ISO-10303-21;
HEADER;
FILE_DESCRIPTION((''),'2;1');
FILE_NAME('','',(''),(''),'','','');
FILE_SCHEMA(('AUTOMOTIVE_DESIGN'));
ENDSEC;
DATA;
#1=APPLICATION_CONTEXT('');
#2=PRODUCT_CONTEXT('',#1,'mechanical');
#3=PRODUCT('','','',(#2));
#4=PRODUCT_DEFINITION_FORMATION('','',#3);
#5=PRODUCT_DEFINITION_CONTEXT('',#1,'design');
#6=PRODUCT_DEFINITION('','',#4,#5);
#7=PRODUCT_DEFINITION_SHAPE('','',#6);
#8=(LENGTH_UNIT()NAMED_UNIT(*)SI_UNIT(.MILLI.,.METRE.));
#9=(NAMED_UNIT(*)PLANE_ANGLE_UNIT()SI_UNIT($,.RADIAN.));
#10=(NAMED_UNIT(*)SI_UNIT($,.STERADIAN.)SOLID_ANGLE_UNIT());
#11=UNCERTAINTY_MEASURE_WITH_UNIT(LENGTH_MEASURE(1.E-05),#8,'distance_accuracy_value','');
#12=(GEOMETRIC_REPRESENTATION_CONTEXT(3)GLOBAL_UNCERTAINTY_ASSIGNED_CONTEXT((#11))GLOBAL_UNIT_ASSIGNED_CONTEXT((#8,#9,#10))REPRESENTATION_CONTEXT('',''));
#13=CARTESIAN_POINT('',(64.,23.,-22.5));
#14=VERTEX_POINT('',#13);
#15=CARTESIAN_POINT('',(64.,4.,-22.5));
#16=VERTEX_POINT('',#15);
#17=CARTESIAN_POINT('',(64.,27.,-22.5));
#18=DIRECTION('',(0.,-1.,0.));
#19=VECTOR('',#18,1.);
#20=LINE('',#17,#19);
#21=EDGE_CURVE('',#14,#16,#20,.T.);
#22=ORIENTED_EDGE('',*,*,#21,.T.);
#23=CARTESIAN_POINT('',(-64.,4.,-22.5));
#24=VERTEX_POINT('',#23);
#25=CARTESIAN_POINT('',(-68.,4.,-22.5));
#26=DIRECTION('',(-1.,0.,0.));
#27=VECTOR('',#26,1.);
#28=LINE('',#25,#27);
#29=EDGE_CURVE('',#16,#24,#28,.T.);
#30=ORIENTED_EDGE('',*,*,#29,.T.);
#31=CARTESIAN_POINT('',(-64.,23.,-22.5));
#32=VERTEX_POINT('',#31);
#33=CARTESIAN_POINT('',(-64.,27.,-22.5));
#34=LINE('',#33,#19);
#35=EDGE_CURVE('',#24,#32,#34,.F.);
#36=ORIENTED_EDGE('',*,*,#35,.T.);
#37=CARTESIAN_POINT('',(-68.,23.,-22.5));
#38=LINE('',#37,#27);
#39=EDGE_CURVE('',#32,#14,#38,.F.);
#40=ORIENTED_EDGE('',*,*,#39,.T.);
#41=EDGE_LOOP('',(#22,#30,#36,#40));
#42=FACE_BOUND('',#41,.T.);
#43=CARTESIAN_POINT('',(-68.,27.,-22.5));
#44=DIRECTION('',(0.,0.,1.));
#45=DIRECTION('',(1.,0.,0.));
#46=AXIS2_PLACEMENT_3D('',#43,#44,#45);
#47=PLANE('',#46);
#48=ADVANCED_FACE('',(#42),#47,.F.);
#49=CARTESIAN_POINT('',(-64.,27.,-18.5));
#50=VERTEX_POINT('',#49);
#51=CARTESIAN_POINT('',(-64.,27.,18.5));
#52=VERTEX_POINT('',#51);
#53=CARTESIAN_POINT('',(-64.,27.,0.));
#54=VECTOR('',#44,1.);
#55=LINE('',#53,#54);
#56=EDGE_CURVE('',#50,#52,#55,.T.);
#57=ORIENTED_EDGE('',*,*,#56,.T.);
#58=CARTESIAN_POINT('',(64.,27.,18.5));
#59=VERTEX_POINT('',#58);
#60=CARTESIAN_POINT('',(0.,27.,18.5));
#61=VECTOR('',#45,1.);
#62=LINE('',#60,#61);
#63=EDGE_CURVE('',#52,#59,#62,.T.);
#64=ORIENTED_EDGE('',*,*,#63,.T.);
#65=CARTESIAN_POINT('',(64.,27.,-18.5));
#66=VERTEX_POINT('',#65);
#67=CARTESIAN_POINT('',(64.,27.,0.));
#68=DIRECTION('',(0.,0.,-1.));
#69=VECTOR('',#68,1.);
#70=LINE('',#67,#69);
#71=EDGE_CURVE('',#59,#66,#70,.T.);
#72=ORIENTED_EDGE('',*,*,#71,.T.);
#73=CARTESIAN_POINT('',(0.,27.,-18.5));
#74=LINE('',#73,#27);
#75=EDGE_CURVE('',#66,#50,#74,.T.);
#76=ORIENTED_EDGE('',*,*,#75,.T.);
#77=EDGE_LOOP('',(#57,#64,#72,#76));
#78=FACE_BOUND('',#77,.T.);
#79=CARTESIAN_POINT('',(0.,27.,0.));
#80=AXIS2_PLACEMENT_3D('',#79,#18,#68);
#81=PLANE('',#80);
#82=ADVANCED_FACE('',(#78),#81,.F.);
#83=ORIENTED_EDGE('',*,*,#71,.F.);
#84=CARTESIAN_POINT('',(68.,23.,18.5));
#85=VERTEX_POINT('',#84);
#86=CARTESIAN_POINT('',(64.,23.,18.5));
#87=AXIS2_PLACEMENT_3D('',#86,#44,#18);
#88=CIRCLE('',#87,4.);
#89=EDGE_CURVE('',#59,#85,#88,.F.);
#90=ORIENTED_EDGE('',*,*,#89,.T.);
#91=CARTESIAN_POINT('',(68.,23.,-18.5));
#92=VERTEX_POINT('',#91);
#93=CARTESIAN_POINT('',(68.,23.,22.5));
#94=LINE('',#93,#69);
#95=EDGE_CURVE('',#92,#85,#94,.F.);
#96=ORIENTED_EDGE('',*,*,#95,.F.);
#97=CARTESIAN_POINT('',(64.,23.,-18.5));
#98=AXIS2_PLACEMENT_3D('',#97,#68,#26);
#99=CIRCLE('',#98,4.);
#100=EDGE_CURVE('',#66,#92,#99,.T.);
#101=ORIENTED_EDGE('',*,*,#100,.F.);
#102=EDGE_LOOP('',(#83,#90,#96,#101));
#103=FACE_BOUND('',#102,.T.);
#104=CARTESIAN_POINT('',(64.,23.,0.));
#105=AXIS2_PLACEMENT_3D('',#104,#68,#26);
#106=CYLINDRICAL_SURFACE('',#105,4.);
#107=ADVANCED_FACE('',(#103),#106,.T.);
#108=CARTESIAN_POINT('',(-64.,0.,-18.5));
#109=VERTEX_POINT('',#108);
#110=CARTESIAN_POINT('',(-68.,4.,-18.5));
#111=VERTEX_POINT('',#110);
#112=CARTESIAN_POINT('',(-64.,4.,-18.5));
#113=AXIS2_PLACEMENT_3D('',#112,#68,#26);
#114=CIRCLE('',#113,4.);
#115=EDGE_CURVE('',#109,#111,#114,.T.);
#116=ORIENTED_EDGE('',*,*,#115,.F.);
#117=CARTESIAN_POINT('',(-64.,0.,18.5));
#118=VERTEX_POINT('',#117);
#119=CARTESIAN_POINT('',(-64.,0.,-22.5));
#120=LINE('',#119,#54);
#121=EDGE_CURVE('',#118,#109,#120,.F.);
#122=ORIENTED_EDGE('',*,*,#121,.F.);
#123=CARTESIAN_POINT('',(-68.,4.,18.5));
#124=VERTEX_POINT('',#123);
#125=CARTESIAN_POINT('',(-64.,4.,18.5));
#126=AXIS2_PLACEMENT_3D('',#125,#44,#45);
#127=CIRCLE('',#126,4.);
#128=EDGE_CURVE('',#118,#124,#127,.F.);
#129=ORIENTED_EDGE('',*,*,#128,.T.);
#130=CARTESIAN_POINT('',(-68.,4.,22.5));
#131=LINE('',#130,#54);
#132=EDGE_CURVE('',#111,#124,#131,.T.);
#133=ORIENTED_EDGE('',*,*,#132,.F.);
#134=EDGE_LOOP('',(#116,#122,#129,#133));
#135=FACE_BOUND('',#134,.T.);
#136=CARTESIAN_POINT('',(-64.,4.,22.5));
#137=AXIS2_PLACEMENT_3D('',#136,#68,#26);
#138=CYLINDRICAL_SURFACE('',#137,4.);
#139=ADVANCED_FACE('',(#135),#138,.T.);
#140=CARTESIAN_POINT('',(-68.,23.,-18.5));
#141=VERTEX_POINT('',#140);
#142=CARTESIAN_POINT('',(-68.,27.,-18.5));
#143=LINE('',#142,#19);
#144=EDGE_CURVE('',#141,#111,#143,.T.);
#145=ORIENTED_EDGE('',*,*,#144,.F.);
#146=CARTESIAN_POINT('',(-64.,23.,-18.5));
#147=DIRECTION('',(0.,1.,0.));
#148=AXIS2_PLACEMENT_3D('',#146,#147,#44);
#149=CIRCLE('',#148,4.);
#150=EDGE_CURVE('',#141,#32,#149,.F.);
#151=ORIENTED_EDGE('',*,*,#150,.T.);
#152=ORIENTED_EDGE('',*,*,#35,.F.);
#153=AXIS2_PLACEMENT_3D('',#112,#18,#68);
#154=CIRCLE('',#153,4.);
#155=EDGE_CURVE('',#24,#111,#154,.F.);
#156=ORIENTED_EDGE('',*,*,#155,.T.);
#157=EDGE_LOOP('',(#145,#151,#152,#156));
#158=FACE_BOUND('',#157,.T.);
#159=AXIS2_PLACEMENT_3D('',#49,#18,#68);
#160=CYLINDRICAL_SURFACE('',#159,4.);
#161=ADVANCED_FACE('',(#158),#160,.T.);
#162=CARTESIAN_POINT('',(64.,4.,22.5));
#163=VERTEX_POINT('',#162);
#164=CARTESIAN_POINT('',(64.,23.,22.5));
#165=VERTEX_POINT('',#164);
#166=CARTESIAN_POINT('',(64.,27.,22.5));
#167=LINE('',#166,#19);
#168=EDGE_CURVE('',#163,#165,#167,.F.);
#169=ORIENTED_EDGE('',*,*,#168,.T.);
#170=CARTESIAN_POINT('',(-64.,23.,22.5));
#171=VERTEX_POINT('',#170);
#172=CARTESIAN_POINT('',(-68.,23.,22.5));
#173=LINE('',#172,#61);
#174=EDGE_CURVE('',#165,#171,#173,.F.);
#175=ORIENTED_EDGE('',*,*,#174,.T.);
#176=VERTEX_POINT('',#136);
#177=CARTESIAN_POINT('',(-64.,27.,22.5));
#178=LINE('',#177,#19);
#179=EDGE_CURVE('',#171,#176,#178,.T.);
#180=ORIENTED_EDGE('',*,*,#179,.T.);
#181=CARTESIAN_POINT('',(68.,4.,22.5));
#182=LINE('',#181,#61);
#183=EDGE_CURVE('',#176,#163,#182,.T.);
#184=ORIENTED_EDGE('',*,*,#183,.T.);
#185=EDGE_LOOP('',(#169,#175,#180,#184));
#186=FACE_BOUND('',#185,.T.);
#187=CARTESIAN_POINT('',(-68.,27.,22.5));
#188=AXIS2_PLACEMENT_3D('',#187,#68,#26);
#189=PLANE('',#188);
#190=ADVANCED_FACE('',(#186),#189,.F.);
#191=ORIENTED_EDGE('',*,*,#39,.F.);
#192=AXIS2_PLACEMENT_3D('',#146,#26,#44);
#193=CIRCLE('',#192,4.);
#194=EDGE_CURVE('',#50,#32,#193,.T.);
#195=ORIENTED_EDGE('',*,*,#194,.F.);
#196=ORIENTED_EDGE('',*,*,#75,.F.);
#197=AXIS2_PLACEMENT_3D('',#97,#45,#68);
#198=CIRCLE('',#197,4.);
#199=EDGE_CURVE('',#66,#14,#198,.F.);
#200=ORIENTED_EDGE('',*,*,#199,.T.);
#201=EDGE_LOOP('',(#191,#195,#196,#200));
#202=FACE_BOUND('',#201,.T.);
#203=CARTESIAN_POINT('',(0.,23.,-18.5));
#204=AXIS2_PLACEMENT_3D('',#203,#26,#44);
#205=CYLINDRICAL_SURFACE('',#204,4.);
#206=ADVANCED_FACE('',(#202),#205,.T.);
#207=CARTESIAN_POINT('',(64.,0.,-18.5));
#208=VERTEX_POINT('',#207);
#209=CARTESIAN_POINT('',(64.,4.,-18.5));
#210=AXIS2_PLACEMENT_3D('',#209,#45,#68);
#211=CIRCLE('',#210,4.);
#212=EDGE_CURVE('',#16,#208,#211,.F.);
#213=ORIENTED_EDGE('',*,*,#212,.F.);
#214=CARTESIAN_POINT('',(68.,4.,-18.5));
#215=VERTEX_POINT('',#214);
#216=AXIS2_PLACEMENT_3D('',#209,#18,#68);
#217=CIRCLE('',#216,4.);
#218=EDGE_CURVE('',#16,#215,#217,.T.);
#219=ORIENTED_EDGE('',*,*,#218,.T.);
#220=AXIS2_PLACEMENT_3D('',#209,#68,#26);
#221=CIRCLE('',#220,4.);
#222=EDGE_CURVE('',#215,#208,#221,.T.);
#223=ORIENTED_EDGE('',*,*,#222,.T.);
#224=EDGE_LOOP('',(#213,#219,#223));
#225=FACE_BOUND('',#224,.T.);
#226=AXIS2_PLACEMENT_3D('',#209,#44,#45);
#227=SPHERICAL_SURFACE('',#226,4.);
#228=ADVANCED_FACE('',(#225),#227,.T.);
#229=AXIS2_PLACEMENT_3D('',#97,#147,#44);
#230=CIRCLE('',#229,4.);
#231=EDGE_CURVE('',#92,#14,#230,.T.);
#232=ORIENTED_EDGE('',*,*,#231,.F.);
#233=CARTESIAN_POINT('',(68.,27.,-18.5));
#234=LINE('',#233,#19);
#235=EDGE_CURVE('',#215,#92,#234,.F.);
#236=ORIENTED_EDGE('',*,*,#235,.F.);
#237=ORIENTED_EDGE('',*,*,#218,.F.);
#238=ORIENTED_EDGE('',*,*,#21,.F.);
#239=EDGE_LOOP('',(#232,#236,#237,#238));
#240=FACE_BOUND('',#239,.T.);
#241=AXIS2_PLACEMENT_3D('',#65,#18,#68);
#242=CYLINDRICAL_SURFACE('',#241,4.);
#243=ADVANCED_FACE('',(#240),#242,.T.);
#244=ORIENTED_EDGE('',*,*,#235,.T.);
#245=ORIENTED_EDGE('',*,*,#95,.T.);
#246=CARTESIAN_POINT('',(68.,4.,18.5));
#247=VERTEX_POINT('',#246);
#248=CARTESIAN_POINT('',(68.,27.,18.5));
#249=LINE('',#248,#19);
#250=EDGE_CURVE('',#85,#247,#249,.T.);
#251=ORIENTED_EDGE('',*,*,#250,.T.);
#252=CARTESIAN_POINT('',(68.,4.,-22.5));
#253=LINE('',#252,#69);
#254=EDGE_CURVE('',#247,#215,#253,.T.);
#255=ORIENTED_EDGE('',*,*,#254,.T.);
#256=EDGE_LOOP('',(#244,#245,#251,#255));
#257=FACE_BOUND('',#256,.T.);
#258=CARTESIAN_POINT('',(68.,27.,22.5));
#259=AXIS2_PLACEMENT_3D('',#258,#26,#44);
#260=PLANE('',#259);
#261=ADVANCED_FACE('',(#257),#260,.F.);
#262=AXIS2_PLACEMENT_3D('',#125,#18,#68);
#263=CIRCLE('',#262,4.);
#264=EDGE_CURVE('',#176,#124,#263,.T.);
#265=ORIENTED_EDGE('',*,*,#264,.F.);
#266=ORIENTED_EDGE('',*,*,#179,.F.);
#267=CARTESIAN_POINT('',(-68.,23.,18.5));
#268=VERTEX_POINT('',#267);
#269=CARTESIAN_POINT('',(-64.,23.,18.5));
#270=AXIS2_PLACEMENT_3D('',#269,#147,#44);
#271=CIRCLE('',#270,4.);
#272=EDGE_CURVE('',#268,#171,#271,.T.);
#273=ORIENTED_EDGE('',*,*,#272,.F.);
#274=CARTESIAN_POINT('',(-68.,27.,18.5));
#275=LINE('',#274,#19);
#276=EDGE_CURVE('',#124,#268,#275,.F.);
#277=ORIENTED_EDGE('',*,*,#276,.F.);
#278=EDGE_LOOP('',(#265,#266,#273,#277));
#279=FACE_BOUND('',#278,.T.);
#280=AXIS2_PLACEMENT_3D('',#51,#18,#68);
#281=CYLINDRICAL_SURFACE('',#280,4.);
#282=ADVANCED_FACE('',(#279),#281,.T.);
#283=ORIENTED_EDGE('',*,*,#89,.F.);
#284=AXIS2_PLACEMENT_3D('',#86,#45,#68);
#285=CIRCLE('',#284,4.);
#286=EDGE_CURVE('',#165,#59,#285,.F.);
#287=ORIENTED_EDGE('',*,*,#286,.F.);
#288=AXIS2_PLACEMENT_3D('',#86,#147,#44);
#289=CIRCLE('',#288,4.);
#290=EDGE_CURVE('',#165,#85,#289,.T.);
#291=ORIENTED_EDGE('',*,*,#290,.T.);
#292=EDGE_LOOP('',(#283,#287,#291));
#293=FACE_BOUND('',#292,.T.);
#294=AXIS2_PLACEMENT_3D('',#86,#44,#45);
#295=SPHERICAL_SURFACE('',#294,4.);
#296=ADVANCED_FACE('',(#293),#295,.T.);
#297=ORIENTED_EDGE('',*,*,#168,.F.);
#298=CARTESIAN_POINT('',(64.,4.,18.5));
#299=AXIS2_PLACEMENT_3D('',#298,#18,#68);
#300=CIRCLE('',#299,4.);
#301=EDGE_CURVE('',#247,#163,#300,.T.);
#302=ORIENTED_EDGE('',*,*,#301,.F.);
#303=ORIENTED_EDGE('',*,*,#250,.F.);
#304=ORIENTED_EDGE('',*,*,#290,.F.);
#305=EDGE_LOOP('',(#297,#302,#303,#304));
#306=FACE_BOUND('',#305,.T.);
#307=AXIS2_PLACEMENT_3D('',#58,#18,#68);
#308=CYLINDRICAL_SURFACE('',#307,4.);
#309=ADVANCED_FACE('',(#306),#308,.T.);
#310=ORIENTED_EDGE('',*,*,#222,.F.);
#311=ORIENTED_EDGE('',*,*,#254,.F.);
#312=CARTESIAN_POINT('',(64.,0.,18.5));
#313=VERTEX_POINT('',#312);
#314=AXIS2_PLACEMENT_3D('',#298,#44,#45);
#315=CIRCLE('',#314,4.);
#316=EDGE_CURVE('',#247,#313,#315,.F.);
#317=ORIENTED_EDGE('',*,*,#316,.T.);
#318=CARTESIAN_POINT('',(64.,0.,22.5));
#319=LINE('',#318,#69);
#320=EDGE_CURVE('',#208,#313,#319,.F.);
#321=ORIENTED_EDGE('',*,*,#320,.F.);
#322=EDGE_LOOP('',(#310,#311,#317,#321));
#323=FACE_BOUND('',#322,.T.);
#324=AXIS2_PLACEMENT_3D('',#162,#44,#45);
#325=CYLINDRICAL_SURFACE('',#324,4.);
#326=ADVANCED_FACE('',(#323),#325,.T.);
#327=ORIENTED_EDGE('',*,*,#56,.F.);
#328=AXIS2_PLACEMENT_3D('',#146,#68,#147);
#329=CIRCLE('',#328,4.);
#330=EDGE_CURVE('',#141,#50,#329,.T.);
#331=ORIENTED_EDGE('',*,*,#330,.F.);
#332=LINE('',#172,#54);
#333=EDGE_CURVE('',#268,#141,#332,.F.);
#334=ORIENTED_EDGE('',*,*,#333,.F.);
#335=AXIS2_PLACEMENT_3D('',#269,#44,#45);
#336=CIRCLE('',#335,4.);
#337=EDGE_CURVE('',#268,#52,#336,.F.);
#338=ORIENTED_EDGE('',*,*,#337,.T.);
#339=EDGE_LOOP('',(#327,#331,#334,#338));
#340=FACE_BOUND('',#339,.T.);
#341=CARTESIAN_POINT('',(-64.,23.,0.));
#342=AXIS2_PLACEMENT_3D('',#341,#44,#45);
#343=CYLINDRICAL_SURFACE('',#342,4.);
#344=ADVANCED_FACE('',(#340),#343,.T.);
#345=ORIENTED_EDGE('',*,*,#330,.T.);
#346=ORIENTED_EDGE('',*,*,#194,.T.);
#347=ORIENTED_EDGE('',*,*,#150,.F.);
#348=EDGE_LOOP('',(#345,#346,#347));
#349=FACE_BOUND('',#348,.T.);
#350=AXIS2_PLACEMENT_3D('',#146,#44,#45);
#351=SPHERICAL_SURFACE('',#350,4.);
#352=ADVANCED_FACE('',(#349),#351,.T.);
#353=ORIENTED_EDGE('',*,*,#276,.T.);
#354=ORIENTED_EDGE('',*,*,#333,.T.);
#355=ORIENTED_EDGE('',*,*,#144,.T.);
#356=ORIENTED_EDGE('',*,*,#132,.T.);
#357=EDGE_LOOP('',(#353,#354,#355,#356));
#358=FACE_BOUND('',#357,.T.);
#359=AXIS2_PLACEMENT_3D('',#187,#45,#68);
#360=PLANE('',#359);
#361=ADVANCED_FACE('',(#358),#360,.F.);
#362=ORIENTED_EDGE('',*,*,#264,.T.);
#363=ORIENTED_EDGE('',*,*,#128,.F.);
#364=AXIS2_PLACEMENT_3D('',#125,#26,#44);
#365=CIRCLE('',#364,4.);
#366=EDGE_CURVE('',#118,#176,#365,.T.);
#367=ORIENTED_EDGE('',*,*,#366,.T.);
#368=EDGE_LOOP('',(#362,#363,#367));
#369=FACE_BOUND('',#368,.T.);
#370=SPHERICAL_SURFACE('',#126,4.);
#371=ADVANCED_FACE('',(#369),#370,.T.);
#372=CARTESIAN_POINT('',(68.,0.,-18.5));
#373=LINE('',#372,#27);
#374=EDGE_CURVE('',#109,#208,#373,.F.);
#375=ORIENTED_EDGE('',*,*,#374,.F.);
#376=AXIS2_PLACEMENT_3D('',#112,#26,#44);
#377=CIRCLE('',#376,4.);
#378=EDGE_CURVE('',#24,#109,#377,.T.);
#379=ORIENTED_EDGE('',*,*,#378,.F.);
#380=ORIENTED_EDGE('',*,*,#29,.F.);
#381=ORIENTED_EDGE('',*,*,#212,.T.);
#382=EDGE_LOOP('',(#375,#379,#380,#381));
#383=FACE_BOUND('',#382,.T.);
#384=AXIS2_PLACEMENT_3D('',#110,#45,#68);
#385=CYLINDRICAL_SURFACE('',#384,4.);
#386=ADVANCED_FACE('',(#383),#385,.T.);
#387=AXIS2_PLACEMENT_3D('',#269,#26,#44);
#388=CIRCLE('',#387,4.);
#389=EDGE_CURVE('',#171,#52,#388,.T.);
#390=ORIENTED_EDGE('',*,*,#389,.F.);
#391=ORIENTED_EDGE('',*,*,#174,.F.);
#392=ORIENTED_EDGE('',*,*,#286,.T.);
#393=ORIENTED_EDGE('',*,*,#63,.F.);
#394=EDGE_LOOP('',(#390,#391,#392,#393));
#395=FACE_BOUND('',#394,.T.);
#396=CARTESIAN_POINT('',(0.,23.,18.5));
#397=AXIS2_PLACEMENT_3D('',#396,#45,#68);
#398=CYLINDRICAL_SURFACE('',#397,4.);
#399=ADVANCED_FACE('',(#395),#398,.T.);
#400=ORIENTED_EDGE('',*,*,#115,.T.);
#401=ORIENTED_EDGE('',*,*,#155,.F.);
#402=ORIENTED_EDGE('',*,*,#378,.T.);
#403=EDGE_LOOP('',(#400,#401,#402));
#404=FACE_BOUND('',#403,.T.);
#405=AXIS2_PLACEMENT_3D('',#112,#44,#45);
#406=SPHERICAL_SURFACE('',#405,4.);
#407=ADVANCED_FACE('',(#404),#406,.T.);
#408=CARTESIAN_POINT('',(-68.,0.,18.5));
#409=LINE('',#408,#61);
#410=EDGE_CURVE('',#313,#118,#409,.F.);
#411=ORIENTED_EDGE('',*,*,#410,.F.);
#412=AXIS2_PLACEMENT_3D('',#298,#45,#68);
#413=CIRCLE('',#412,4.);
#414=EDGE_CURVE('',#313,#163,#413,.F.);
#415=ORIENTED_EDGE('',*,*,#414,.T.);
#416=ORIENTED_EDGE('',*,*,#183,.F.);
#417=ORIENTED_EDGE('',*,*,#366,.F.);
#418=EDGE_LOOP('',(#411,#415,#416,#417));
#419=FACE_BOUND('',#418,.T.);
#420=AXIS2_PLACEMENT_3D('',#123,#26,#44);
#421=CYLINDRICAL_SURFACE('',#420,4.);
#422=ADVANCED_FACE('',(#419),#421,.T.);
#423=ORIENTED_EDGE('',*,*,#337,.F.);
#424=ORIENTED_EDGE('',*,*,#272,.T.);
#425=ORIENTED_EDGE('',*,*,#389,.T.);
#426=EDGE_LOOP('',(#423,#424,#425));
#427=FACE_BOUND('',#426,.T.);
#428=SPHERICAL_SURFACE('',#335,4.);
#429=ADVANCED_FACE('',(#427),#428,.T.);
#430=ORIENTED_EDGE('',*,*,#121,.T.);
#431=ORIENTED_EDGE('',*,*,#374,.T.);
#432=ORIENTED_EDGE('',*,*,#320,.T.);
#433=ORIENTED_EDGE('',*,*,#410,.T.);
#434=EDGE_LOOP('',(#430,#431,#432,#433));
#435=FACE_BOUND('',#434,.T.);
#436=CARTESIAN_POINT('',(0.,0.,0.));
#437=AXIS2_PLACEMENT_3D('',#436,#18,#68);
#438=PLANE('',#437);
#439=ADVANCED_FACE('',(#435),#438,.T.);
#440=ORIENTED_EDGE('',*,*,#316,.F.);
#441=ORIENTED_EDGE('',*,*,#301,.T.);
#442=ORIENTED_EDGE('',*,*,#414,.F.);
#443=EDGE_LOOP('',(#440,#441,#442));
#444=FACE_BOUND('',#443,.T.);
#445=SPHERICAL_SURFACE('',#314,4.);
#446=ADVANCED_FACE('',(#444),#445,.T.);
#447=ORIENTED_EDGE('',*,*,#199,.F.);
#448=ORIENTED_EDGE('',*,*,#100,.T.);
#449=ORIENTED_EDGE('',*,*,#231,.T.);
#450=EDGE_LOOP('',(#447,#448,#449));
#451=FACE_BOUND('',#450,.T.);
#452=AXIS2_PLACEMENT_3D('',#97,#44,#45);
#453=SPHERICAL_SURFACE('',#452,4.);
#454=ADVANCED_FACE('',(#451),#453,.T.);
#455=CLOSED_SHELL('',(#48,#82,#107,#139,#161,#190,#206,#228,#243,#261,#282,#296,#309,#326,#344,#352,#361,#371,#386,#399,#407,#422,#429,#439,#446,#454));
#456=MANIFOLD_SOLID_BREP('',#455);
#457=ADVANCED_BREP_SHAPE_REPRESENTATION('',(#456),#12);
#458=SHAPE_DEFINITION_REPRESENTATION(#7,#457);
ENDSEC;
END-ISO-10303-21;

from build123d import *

# Parameters (mm, degrees)
CROQUIS1_W              = 136
CROQUIS1_H              = 45
SALIENTE_EXTRUIR1_DEPTH = 27
REDONDEO1_R             = 4


with BuildPart() as part:
    # Croquis1 → Saliente-Extruir1 (new body)
    with BuildSketch(Plane(origin=(0, 0, 0), x_dir=(1, 0, 0), z_dir=(0, 1, 0))):
        Rectangle(CROQUIS1_W, CROQUIS1_H)
    extrude(amount=SALIENTE_EXTRUIR1_DEPTH)

    # Redondeo1
    redondeo1_edges = [part.edges().sort_by_distance(p)[0] for p in [
        (-68, 27, 0),
        (0, 27, 22.5),
        (68, 27, 0),
        (0, 0, 22.5),
        (-68, 0, 0),
        (0, 0, -22.5),
        (68, 0, 0),
        (0, 27, -22.5),
        (68, 13.5, 22.5),
        (-68, 13.5, 22.5),
        (-68, 13.5, -22.5),
        (68, 13.5, -22.5),
    ]]
    fillet(redondeo1_edges, radius=REDONDEO1_R)


solid = part.part
